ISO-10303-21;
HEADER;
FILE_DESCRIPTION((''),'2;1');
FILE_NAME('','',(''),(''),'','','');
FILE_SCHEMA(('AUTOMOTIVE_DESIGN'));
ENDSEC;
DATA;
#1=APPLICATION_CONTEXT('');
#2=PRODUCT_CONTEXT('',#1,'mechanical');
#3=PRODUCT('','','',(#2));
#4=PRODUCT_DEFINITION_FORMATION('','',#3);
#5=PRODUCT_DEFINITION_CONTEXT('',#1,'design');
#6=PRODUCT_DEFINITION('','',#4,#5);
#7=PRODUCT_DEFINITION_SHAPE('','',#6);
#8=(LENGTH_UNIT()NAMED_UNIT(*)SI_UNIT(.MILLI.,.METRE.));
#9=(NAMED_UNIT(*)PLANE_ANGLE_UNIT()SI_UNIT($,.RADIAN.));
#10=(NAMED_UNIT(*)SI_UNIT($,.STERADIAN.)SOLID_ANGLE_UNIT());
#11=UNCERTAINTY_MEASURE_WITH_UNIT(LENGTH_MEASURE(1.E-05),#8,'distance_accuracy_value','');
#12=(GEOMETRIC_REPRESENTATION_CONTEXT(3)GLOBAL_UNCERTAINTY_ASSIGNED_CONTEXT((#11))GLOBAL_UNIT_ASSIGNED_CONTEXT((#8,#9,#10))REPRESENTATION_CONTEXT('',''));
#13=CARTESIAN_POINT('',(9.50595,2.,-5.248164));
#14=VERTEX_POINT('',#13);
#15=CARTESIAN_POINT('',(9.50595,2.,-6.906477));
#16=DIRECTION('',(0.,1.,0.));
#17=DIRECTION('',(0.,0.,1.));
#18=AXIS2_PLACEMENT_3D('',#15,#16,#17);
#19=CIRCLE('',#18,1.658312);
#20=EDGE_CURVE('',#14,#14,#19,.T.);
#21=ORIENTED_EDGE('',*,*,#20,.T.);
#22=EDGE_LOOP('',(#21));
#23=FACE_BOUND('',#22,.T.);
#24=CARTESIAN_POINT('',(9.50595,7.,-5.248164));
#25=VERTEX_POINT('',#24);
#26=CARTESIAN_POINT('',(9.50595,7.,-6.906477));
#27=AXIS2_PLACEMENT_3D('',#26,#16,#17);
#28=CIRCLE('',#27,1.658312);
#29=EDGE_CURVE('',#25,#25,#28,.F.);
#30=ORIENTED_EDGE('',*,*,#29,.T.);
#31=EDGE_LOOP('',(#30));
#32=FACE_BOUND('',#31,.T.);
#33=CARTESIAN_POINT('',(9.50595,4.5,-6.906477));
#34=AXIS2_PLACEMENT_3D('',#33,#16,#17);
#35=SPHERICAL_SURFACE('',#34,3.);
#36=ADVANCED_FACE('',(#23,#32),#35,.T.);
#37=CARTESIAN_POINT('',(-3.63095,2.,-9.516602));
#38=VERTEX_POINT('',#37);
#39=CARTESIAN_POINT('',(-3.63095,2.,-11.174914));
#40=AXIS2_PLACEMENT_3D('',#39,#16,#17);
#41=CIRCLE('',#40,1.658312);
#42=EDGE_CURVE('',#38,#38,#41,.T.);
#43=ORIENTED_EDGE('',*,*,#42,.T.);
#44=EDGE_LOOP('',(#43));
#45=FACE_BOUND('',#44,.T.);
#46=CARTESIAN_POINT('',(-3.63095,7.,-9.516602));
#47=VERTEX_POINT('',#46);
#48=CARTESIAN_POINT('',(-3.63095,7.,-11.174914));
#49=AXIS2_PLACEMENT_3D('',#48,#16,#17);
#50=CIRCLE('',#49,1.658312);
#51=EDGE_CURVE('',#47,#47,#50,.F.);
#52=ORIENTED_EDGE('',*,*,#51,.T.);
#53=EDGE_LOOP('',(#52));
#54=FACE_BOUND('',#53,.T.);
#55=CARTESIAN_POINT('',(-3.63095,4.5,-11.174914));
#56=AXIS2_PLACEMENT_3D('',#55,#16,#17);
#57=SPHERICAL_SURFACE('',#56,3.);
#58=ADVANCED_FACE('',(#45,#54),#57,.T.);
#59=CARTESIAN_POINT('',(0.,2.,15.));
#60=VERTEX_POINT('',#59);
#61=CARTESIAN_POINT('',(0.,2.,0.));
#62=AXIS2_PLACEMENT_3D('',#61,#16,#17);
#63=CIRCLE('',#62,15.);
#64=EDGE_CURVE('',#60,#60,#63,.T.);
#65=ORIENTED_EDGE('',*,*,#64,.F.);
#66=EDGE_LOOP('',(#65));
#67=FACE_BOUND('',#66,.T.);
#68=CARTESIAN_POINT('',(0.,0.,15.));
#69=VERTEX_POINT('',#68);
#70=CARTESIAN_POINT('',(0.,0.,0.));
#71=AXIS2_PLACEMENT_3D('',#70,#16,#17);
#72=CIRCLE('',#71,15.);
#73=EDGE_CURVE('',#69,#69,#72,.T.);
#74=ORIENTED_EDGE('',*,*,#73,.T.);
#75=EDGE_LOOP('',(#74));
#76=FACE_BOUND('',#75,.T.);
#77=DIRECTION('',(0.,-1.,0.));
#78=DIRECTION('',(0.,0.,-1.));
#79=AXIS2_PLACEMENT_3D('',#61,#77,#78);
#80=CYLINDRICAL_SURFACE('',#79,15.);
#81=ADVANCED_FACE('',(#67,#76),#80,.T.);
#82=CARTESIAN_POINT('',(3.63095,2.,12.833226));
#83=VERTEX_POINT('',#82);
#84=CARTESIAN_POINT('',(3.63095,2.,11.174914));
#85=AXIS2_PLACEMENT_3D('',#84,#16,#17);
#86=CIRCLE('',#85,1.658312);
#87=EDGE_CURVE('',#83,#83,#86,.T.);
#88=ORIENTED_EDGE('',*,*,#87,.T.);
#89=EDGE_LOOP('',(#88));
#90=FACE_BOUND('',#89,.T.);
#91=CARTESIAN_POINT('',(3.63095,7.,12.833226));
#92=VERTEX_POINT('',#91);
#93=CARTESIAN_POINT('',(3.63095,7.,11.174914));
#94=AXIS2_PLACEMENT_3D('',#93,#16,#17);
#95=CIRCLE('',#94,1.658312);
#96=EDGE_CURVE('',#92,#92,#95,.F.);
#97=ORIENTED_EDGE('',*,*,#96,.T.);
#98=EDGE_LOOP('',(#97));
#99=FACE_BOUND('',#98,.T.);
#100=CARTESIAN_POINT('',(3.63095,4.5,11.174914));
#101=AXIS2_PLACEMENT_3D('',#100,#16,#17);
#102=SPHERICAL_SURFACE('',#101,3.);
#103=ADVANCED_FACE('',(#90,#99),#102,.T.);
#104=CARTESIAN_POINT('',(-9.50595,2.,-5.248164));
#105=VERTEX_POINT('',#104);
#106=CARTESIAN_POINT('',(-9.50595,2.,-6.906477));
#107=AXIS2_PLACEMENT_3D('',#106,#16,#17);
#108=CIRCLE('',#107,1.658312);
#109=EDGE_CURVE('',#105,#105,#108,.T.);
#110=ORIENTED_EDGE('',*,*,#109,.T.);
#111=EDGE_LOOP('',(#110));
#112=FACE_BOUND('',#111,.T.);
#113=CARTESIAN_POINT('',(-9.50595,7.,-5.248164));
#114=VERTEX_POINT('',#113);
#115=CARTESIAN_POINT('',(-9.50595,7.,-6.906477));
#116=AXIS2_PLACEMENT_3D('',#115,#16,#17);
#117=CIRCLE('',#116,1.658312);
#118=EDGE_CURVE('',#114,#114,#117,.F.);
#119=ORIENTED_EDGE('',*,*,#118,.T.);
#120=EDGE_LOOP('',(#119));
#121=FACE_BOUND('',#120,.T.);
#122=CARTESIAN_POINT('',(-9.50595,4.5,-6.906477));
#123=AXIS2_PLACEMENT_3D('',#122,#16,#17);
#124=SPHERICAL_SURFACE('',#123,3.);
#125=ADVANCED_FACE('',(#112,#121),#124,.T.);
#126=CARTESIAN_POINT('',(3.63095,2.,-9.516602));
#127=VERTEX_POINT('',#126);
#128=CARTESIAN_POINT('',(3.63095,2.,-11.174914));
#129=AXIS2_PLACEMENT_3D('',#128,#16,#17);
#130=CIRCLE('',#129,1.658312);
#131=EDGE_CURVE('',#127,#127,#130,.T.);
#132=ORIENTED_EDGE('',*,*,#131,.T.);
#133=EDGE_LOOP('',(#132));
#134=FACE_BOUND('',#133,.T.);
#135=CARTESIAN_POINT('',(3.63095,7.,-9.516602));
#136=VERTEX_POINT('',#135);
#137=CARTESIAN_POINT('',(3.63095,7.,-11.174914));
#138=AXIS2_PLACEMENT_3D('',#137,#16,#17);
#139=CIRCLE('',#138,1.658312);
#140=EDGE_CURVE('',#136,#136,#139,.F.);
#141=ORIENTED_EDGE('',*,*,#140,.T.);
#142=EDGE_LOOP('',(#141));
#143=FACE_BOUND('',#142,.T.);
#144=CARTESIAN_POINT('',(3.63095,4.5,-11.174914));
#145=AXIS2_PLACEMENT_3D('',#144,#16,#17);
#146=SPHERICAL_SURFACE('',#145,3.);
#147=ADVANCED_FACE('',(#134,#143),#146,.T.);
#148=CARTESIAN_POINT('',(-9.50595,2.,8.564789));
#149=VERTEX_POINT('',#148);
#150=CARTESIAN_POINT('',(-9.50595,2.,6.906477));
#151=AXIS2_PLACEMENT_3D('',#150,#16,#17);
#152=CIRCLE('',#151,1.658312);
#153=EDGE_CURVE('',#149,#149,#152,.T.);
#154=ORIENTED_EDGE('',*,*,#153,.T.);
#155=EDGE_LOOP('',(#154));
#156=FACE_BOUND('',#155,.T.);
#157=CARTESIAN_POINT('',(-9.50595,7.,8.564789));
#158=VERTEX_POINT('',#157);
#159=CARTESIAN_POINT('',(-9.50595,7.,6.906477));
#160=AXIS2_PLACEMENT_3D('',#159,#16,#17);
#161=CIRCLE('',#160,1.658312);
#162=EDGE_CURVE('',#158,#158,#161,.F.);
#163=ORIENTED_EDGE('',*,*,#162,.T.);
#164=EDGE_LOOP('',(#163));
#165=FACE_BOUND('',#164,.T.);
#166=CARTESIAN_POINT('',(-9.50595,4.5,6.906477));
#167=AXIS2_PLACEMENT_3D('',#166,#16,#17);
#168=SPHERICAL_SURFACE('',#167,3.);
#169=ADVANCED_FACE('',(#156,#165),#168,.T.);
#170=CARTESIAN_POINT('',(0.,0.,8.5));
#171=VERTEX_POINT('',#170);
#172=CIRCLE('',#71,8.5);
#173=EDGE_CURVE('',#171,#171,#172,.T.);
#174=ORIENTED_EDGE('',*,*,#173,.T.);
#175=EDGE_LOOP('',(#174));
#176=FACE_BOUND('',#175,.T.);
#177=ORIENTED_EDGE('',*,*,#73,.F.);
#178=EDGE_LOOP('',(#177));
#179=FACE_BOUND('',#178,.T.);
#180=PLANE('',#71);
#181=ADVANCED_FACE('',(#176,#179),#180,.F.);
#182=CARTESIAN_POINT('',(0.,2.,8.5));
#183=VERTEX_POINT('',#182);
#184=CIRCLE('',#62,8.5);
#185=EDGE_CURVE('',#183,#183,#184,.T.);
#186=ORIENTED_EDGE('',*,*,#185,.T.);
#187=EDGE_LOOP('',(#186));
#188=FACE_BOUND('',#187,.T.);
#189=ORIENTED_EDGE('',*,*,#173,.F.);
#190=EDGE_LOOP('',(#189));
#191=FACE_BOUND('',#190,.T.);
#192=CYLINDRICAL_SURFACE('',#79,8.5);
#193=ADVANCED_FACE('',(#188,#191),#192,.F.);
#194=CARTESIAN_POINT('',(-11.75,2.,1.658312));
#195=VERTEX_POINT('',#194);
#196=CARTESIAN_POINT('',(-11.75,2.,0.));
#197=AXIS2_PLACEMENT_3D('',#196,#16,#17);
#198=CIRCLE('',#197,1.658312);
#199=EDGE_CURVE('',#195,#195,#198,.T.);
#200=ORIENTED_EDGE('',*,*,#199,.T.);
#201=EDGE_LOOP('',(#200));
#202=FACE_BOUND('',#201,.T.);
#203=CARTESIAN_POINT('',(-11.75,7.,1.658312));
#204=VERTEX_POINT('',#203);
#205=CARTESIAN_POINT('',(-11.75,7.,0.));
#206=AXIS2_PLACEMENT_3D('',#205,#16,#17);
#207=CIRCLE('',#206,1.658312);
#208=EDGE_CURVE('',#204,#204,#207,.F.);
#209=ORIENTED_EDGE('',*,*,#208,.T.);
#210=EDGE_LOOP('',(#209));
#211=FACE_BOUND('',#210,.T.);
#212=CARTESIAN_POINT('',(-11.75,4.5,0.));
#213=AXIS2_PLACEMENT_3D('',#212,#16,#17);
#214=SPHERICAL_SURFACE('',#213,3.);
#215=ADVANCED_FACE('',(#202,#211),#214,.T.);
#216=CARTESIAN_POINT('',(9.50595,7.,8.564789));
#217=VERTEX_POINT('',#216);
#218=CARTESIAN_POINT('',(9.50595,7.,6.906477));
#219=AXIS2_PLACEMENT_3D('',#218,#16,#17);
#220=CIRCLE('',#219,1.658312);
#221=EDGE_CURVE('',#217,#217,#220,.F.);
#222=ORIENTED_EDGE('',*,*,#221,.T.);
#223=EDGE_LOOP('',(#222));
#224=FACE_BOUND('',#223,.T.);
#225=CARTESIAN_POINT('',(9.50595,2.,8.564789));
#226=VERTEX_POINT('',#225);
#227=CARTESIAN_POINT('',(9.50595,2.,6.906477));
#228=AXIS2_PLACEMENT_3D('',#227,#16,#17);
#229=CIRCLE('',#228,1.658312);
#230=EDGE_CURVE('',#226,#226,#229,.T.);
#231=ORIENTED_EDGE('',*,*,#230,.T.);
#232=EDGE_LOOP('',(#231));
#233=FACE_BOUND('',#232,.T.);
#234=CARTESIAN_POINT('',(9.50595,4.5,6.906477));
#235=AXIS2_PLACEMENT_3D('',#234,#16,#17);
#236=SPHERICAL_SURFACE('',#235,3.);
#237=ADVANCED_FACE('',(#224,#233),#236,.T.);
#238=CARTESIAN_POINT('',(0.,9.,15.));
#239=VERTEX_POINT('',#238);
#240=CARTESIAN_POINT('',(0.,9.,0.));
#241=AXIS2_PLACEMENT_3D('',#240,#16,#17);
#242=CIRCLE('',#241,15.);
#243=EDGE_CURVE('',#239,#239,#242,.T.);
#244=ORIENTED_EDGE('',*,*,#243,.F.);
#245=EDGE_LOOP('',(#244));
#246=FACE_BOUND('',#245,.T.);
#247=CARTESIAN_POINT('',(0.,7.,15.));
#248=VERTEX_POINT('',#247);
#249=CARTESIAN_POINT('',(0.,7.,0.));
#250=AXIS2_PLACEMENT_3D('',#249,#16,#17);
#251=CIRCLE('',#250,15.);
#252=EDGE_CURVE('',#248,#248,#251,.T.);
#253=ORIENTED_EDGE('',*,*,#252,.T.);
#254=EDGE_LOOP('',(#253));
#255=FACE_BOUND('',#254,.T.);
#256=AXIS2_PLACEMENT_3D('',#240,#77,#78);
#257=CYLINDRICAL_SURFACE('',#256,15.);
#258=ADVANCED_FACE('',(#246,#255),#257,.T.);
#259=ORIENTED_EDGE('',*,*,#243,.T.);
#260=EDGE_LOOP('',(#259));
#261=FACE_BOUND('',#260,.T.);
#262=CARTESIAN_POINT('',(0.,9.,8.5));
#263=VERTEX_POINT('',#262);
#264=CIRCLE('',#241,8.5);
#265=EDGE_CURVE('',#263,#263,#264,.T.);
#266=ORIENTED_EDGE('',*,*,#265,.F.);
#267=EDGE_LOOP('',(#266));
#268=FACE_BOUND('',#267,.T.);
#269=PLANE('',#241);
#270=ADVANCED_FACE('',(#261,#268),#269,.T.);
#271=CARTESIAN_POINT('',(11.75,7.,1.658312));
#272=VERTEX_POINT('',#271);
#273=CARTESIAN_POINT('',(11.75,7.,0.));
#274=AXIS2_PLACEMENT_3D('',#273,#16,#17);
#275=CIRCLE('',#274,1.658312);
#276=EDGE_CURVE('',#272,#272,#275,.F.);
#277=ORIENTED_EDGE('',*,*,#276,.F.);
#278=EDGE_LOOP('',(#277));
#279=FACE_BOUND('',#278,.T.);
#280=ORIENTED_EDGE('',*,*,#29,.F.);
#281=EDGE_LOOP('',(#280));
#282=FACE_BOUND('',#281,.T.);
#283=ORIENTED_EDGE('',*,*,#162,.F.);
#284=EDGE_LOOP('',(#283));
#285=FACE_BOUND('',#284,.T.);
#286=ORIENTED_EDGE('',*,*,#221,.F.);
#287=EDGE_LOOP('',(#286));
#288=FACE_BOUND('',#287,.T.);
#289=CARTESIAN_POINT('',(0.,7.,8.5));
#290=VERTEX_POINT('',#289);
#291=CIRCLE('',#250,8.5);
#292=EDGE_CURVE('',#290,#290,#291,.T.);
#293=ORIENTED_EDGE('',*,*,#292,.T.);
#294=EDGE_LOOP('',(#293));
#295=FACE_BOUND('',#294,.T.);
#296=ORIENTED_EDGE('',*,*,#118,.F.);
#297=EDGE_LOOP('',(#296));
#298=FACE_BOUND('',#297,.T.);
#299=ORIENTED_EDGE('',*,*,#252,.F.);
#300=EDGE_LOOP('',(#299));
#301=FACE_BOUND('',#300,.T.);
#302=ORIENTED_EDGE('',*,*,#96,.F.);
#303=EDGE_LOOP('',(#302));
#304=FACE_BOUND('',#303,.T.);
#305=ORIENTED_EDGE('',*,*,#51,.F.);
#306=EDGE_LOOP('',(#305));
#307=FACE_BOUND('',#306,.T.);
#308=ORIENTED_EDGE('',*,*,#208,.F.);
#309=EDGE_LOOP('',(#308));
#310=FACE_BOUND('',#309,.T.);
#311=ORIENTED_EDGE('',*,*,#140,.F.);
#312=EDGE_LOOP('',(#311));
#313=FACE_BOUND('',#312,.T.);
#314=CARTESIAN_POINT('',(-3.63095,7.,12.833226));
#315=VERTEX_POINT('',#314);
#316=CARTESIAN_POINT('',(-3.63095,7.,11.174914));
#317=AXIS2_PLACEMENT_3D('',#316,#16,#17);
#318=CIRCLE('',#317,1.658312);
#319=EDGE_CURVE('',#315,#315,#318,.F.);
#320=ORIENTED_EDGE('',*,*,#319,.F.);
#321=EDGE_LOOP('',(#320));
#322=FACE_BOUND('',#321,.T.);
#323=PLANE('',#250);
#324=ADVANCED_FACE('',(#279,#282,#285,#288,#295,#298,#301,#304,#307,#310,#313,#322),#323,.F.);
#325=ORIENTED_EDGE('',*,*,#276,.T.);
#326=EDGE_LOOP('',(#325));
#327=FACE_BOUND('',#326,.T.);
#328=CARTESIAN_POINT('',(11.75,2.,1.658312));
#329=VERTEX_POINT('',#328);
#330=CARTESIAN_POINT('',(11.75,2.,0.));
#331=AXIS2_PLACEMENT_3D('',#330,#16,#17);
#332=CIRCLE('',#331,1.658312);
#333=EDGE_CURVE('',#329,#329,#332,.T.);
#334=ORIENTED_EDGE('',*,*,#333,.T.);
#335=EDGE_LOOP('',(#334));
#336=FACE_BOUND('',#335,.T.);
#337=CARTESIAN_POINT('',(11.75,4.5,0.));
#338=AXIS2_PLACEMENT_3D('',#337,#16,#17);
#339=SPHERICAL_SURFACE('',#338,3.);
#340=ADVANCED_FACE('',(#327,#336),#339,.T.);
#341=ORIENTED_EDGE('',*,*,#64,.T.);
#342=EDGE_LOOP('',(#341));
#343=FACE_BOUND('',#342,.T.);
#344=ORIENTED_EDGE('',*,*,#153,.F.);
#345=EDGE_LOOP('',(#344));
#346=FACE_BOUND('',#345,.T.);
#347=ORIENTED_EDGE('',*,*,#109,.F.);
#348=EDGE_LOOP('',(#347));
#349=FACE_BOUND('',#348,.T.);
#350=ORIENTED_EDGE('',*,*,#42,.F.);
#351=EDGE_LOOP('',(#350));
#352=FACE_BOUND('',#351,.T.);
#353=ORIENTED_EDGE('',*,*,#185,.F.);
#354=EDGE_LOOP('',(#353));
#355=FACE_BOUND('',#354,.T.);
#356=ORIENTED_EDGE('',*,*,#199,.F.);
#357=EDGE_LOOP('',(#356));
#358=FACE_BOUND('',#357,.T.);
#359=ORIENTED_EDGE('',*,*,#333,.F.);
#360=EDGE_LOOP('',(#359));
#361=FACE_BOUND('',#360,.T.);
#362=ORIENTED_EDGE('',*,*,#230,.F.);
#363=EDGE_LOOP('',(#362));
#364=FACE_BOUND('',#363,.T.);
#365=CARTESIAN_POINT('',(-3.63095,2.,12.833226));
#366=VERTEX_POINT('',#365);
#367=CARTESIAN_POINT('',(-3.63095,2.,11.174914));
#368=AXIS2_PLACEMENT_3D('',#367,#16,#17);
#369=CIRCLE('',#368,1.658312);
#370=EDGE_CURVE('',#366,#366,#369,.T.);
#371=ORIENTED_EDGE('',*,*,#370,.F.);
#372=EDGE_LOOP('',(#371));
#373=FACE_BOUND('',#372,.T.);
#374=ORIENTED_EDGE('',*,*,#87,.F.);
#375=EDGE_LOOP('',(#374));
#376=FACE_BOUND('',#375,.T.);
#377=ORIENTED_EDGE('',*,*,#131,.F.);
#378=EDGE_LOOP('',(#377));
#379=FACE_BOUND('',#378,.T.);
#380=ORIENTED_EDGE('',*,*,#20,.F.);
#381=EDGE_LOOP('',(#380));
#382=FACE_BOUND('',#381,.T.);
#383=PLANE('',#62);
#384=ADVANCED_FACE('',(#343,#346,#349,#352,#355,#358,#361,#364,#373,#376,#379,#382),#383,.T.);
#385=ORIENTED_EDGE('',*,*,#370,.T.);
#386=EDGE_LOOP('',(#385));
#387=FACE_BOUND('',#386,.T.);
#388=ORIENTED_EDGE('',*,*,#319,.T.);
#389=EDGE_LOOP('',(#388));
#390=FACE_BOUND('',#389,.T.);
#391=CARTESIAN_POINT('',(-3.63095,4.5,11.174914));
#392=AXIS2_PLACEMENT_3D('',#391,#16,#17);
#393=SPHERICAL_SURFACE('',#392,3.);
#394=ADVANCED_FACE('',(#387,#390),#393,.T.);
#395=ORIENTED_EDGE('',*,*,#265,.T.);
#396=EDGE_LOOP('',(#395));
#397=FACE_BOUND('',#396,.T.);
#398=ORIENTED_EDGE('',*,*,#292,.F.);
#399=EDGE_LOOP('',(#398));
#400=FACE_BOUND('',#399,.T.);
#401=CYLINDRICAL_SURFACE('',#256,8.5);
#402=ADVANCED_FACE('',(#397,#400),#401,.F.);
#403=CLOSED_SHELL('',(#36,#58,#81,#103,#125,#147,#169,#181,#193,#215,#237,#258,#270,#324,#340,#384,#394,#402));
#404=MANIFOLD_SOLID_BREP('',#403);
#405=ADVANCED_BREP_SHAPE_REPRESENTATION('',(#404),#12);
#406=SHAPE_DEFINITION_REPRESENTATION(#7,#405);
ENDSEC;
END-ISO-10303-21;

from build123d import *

# Parameters (mm, degrees)
SKETCH_1_R               = 15
SKETCH_1_R_2             = 8.5
EXTRUDE_1_DEPTH          = 2
PATTERN_CIRCULAR_2_COUNT = 10
PATTERN_LINEAR_2_COUNT   = 2
PATTERN_LINEAR_2_PITCH   = 7


with BuildPart() as part:
    # 草图1 → 凸台-拉伸1 (new body)
    with BuildSketch(Plane(origin=(0, 0, 0), x_dir=(1, 0, 0), z_dir=(0, 1, 0))):
        Circle(SKETCH_1_R)
        Circle(SKETCH_1_R_2, mode=Mode.SUBTRACT)
    extrude_1 = extrude(amount=EXTRUDE_1_DEPTH)

    # 草图4 → 旋转4 (revolve)
    with BuildSketch(Plane.XY):
        with BuildLine():
            Line((8.75, 4.5), (14.75, 4.5))
            ThreePointArc((14.75, 4.5), (11.75, 1.5), (8.75, 4.5))
        make_face()
    revolve_4 = revolve(axis=Axis((8.75, 4.5, 0), (1, 0, 0)))

    # 阵列(圆周)2: 旋转4 ×10 about axis
    pattern_circular_2_axis = Axis((0, 0, 0), (0, 1, 0))
    for i in range(1, PATTERN_CIRCULAR_2_COUNT):
        add(revolve_4.rotate(pattern_circular_2_axis, i * 360 / PATTERN_CIRCULAR_2_COUNT))

    # 阵列(线性)2: 凸台-拉伸1 ×2
    with Locations(*[(0, i * PATTERN_LINEAR_2_PITCH, 0) for i in range(1, PATTERN_LINEAR_2_COUNT)]):
        add(extrude_1)


solid = part.part
